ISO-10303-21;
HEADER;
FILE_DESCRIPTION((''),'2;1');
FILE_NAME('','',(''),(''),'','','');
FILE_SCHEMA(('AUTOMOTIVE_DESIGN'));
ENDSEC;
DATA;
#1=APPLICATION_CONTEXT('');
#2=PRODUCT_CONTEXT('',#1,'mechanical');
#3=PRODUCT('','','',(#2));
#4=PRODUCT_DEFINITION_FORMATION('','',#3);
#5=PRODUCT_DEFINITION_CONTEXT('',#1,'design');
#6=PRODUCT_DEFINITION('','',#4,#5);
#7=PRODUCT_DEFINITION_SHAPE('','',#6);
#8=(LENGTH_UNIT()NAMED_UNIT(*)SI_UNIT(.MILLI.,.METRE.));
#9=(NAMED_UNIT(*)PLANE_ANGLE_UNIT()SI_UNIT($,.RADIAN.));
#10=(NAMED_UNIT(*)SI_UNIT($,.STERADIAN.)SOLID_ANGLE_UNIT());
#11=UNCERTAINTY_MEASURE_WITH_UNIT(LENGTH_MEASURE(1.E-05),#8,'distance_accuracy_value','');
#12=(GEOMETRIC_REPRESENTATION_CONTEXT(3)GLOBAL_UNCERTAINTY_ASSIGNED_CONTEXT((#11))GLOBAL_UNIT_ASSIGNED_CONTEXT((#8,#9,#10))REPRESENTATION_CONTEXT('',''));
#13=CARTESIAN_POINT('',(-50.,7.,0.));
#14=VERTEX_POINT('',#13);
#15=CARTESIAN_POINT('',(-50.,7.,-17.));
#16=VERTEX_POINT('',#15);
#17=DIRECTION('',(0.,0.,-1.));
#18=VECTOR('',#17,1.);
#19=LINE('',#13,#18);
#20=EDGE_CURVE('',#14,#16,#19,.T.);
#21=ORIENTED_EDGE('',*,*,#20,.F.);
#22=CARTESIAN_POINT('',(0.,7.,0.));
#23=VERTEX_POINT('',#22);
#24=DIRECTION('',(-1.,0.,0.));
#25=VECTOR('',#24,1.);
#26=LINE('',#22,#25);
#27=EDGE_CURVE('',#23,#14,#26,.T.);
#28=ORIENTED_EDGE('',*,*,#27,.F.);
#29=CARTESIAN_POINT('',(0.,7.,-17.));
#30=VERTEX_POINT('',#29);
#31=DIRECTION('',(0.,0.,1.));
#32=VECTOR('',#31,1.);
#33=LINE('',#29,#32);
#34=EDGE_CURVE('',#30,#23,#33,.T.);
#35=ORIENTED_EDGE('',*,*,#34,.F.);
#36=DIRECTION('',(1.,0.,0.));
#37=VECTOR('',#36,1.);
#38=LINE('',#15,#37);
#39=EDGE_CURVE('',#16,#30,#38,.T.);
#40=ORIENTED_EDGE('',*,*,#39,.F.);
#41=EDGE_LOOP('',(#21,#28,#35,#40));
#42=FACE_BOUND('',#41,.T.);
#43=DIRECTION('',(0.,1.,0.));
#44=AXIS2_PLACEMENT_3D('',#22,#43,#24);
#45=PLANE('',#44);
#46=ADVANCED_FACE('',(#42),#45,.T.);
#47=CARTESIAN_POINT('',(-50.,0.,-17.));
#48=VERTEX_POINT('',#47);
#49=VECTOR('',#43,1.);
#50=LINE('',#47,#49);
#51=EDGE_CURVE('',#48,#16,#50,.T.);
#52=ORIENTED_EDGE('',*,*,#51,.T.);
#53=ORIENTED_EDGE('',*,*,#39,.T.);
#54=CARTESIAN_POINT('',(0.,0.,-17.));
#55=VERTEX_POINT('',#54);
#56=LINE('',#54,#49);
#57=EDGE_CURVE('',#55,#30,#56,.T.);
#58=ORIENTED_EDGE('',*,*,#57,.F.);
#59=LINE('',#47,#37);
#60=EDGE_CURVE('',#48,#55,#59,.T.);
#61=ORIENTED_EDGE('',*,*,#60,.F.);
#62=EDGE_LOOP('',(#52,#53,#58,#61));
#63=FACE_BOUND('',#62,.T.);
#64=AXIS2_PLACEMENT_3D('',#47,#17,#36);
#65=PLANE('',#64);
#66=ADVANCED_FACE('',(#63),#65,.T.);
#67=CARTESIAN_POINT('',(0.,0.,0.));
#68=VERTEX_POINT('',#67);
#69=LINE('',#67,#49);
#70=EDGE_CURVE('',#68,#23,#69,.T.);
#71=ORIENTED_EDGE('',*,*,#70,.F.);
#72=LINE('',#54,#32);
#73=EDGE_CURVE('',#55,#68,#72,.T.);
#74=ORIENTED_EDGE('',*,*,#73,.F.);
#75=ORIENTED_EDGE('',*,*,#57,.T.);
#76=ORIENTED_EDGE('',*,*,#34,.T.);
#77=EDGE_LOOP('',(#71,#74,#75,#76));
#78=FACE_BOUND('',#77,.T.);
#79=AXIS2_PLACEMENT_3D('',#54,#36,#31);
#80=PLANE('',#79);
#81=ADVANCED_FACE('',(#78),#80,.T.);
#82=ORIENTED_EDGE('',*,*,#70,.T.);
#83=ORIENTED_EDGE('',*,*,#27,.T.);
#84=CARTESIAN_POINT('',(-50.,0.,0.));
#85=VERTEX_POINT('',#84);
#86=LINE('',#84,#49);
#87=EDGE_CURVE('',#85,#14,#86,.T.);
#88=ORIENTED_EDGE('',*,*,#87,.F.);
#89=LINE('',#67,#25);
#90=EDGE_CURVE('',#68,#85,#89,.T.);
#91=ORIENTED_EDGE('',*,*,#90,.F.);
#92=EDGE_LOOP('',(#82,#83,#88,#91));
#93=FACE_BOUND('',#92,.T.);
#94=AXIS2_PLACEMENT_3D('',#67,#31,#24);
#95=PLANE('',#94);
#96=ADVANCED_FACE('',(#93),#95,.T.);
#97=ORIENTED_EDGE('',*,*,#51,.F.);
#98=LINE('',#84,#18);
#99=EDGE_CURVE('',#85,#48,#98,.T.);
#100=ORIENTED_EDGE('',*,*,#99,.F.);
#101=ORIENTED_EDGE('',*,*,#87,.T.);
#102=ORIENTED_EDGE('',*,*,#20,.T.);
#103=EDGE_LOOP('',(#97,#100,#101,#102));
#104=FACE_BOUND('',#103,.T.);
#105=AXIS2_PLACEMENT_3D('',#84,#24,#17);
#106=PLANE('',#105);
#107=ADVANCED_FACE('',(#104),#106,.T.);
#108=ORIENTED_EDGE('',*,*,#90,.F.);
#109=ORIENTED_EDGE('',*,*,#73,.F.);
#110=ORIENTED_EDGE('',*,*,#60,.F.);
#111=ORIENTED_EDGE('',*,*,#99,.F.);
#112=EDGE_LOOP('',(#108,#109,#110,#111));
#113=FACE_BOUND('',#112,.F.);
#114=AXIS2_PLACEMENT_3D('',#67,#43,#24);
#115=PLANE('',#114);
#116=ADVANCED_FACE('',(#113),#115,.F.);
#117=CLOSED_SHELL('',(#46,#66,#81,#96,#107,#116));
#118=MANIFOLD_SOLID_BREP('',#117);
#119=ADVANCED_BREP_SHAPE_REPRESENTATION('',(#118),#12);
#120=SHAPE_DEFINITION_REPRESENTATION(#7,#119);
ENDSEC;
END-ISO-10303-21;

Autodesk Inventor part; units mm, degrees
ref_plane "YZ Plane" through (0, 0, 0) normal (1, 0, 0) x (0, 1, 0)
ref_plane "XZ Plane" through (0, 0, 0) normal (0, 1, 0) x (-1, 0, 0)
ref_plane "XY Plane" through (0, 0, 0) normal (0, 0, 1) x (1, 0, 0)
sketch "Sketch1" plane through (0, 0, 0) normal (0, 1, 0) x (-1, 0, 0)
  line L0 (0, 0) -> (50, 0)
  line L1 (50, 0) -> (50, -17)
  line L2 (50, -17) -> (0, -17)
  line L3 (0, -17) -> (0, 0)
  dimension "d0" = 50
  dimension "d1" = 17
extrude "Extrusion1" add sketch "Sketch1" along normal blind 7
properties part number "UBEC"
